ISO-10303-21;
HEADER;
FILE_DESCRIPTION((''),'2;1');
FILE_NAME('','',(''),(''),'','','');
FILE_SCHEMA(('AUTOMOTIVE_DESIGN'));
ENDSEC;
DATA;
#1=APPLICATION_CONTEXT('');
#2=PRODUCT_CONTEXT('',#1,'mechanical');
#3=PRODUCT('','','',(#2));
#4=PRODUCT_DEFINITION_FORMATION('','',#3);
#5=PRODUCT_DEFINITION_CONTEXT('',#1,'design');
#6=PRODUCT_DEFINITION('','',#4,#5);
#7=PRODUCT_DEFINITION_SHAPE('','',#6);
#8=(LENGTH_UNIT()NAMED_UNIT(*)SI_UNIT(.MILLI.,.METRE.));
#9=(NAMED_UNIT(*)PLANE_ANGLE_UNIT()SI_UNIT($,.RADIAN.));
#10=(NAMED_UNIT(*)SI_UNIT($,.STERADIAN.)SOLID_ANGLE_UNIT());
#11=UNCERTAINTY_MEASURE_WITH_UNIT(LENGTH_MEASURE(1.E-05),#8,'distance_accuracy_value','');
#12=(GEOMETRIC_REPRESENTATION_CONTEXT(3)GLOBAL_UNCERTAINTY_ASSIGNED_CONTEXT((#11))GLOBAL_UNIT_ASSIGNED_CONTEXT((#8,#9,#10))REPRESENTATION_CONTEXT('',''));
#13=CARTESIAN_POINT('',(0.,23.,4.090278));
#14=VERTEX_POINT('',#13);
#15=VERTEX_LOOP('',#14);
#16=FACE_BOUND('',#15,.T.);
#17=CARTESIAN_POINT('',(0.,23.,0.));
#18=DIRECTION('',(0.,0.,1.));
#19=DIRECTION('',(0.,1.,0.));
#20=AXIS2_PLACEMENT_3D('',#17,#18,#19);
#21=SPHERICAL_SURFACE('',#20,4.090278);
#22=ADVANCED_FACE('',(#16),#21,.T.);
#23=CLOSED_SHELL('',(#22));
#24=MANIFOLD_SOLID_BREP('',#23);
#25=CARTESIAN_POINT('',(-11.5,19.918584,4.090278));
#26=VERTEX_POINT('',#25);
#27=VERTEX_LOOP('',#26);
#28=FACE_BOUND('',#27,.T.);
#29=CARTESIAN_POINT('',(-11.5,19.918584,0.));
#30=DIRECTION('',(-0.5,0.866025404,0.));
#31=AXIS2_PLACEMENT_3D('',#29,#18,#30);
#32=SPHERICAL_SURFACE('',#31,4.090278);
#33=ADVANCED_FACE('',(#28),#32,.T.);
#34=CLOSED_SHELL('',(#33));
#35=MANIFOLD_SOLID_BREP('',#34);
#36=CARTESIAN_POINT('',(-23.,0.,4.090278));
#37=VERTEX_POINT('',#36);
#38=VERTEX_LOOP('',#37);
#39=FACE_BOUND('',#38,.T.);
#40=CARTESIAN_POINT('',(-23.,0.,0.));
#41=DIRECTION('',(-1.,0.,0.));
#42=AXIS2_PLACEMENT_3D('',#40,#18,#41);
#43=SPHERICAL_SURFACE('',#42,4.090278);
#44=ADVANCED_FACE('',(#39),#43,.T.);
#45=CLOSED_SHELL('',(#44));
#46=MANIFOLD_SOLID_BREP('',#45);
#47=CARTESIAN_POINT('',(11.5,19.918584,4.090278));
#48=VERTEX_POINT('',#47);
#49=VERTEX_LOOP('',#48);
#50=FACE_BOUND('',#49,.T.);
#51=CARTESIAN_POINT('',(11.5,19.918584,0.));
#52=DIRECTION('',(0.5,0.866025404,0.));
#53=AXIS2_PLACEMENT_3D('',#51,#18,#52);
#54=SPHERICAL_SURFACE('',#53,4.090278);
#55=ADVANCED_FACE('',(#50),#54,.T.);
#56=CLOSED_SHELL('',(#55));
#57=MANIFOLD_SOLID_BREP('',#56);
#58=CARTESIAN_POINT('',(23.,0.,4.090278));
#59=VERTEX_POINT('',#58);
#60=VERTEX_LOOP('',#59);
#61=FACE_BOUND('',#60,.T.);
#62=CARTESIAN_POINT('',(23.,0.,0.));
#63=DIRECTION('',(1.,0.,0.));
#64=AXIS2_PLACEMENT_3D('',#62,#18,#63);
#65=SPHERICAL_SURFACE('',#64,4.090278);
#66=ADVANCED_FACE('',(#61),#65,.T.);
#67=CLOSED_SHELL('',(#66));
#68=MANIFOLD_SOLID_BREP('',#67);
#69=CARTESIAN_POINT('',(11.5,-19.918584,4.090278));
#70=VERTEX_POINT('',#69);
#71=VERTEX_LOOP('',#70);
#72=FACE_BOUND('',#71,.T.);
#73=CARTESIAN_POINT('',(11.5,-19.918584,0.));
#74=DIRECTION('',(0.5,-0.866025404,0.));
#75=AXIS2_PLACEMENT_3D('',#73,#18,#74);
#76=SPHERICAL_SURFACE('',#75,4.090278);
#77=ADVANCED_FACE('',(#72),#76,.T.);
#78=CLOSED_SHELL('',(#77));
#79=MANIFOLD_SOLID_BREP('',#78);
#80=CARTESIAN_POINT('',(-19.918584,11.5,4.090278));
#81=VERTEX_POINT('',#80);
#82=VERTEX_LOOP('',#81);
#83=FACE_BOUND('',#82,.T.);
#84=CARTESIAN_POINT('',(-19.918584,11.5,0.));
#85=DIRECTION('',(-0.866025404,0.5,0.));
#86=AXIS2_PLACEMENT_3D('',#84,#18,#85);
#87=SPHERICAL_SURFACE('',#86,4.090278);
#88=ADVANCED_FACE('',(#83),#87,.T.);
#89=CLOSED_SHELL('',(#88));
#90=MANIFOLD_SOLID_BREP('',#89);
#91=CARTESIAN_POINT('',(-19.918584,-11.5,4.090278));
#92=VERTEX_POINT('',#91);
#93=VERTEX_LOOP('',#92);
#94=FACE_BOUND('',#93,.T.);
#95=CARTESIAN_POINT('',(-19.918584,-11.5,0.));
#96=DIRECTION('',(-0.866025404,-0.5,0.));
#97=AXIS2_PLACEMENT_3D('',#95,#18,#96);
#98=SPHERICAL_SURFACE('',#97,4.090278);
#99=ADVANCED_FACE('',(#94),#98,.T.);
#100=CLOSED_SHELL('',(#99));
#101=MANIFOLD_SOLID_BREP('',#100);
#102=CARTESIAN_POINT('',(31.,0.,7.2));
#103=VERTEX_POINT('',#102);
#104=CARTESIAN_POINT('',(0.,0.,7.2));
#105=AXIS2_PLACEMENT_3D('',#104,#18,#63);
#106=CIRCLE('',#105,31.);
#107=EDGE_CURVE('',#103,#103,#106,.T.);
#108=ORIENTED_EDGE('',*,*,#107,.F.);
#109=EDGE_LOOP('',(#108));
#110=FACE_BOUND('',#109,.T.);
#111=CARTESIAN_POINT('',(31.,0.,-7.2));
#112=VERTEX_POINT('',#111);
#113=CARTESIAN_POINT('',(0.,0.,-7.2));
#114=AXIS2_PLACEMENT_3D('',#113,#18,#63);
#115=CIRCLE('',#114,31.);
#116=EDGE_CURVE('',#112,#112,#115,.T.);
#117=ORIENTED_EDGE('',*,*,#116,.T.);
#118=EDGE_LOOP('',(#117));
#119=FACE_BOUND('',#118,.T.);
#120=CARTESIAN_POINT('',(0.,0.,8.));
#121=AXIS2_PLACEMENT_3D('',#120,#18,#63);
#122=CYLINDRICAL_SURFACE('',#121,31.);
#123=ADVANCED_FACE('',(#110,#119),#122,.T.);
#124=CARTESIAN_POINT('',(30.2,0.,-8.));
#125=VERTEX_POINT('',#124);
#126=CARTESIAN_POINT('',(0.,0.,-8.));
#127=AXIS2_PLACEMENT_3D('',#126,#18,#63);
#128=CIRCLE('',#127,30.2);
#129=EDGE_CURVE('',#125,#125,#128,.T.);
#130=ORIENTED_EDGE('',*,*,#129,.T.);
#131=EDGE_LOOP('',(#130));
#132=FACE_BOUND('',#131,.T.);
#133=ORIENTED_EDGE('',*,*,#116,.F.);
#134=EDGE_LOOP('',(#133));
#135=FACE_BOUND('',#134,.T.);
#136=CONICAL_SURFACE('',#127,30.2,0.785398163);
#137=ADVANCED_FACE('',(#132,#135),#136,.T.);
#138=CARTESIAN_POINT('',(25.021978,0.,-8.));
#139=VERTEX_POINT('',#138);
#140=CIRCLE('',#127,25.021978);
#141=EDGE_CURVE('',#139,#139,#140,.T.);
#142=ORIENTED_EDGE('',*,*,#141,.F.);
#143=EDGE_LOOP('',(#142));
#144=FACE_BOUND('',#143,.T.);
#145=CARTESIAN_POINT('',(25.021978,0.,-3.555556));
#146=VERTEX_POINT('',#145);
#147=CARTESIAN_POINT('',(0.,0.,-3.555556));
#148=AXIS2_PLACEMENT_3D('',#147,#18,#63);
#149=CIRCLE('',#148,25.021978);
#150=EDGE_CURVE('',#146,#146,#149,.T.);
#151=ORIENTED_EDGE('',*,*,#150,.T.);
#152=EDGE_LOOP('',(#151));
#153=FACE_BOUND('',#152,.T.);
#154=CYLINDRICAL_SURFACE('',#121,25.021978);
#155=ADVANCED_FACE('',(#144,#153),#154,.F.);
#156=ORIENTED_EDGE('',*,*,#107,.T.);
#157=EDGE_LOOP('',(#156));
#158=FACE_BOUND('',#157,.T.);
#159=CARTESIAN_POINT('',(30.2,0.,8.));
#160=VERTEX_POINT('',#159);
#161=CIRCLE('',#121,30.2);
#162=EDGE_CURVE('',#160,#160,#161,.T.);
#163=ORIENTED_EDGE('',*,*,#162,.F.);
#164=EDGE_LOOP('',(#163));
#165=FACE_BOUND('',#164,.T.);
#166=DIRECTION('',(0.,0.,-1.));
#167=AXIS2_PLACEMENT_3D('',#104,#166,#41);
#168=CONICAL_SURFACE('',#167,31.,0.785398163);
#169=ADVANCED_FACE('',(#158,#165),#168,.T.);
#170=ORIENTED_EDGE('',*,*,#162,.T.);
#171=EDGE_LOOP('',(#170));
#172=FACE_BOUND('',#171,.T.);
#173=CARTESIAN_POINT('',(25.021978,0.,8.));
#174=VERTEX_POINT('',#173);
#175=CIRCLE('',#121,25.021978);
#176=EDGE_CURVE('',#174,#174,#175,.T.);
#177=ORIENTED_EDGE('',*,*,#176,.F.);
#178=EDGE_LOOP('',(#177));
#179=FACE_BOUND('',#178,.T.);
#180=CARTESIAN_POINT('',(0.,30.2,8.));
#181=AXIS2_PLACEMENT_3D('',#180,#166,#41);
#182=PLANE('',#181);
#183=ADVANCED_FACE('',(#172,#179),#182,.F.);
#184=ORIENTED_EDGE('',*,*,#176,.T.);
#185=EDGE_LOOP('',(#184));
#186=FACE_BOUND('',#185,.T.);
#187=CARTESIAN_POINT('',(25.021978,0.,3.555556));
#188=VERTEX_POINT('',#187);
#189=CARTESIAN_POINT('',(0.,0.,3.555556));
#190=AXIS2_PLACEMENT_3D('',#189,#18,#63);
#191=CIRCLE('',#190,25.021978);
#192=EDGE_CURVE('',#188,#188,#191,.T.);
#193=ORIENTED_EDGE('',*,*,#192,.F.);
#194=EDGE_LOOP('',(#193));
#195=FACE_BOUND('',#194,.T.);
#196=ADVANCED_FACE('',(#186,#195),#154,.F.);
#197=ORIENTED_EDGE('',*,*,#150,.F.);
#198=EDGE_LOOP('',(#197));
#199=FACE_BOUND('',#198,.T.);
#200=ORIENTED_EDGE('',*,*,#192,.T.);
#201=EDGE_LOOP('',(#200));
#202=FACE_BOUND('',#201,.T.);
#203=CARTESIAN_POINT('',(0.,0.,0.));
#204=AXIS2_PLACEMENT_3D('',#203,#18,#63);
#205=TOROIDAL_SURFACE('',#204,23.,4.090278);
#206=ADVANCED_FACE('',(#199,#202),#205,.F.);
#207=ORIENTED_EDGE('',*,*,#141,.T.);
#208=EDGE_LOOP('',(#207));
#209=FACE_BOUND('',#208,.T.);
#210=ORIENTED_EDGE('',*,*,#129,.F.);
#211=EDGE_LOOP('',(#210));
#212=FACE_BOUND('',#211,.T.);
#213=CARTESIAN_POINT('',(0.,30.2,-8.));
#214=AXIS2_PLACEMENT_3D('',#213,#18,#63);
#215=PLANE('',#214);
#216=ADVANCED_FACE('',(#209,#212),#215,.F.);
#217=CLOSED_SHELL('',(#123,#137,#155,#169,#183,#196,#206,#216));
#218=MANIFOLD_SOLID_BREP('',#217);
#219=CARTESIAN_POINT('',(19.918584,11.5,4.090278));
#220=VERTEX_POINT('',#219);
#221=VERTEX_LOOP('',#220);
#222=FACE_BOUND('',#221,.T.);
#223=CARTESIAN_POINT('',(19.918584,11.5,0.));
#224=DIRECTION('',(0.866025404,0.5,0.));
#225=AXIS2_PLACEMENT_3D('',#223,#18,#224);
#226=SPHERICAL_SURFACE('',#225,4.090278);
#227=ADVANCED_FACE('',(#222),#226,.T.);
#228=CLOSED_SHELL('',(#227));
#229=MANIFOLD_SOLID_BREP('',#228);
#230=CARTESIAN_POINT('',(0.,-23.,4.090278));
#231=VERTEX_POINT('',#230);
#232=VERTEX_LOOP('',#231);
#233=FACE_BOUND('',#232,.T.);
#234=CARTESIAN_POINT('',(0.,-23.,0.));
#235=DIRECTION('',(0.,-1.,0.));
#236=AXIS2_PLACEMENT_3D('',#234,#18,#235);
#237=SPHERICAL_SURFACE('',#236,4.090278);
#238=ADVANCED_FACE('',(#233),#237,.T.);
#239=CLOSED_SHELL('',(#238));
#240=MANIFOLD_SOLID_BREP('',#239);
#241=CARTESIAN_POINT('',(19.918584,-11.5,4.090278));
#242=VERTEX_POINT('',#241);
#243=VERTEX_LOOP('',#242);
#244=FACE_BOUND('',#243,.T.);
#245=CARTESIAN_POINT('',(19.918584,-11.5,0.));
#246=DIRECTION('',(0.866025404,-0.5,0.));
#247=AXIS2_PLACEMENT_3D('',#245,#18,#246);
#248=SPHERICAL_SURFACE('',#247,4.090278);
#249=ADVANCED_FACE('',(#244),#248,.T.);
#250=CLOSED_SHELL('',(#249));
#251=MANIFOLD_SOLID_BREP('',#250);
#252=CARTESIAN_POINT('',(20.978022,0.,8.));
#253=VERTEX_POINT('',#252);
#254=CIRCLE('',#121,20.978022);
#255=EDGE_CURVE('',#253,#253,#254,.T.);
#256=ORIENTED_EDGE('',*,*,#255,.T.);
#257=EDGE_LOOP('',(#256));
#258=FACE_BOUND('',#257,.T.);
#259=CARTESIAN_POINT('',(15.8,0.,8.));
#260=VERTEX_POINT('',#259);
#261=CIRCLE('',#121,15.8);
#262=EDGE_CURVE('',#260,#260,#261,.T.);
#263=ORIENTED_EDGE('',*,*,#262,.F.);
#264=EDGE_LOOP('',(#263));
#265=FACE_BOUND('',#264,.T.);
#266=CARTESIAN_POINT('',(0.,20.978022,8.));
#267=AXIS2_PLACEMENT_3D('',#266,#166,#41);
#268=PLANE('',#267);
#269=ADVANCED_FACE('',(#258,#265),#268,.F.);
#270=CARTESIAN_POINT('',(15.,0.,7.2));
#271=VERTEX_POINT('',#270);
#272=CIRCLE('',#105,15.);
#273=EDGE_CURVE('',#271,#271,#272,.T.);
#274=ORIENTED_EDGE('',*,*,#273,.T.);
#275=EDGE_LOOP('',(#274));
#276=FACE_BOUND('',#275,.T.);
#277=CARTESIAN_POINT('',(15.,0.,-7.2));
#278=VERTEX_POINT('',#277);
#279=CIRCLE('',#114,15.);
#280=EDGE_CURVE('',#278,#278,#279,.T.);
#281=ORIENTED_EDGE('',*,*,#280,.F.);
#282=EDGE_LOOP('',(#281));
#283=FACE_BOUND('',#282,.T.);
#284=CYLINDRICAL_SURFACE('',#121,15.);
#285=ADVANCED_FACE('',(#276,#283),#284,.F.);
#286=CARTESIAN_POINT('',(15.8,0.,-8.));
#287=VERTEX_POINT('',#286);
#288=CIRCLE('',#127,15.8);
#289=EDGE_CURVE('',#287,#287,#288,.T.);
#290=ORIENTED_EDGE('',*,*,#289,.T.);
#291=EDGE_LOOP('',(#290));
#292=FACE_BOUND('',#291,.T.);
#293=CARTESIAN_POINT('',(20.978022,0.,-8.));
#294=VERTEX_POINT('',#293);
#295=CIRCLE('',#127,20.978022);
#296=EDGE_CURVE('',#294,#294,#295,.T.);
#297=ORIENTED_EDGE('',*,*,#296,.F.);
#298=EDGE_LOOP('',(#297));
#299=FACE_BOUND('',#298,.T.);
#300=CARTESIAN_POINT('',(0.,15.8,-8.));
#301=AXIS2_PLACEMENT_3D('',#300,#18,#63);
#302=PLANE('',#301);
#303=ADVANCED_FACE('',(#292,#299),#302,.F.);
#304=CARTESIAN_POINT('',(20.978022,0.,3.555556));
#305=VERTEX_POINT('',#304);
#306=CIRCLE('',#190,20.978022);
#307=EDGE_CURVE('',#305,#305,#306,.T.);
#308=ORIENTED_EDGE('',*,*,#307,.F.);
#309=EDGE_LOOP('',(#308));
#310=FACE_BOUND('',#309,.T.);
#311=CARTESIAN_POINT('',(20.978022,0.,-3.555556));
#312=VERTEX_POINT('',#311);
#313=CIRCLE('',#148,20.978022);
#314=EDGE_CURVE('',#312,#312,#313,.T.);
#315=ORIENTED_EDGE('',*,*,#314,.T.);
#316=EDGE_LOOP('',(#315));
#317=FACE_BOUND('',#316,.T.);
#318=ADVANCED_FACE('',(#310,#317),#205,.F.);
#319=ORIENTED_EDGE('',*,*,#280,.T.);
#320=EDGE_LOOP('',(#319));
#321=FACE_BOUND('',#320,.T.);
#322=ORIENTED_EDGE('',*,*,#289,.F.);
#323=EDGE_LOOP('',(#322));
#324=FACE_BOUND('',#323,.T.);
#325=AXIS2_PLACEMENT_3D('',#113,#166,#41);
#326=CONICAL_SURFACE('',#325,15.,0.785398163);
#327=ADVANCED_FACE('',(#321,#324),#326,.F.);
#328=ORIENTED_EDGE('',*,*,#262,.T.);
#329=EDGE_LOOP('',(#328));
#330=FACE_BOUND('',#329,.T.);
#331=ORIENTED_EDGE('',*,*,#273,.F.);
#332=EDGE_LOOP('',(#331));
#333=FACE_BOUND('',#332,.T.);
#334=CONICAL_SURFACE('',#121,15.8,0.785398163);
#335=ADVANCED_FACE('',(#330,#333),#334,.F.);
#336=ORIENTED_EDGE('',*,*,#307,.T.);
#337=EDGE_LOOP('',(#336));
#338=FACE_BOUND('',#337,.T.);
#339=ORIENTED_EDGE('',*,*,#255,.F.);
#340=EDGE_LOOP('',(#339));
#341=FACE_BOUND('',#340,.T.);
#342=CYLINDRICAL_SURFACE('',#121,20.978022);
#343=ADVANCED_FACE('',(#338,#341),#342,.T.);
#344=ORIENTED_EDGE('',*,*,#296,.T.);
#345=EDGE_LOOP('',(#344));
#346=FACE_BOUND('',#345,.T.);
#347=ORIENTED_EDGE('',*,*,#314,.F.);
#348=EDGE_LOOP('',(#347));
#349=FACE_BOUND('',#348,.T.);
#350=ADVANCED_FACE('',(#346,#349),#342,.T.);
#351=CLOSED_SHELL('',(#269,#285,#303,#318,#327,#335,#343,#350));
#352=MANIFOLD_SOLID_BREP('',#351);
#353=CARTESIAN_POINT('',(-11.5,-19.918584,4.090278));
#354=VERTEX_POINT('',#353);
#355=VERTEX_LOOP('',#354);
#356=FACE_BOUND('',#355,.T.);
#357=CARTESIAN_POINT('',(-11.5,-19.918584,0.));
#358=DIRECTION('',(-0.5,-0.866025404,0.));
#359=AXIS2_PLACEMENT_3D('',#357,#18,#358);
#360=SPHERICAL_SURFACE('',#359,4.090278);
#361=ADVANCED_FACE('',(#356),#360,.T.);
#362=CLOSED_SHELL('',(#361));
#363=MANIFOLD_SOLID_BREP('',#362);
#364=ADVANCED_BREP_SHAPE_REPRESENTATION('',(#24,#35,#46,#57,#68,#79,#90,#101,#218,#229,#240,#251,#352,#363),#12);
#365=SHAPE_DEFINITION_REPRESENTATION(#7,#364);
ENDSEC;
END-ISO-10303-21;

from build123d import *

# Parameters (mm, degrees)
CIRPATTERN1_COUNT = 12


with BuildPart() as part:
    # Sketch1 → Revolve1 (revolve)
    with BuildSketch(Plane(origin=(0, 0, 0), x_dir=(0, 0, -1), z_dir=(1, 0, 0))):
        with BuildLine():
            Line((7.2, 31), (-7.2, 31))
            Line((-7.2, 31), (-8, 30.2))
            Line((-8, 30.2), (-8, 25.021978022))
            Line((-8, 25.021978022), (-3.555555556, 25.021978022))
            ThreePointArc((-3.555555556, 25.021978022), (0, 27.090277549), (3.555555556, 25.021978022))
            Line((3.555555556, 25.021978022), (8, 25.021978022))
            Line((8, 25.021978022), (8, 30.2))
            Line((8, 30.2), (7.2, 31))
        make_face()
    revolve(axis=Axis((0, 0, 8), (0, 0, -1)))


with BuildPart() as body_2:
    # Sketch3 → Revolve3 (revolve)
    with BuildSketch(Plane(origin=(0, 0, 0), x_dir=(0, 0, -1), z_dir=(1, 0, 0))):
        with BuildLine():
            Line((-8, 20.978021978), (-3.555555556, 20.978021978))
            ThreePointArc((-3.555555556, 20.978021978), (0, 18.909722451), (3.555555556, 20.978021978))
            Line((3.555555556, 20.978021978), (8, 20.978021978))
            Line((8, 20.978021978), (8, 15.8))
            Line((8, 15.8), (7.2, 15))
            Line((7.2, 15), (-7.2, 15))
            Line((-7.2, 15), (-8, 15.8))
            Line((-8, 15.8), (-8, 20.978021978))
        make_face()
    revolve(axis=Axis((0, 0, 8), (0, 0, -1)))


with BuildPart() as body_3:
    # Sketch4 → Revolve4 (revolve)
    with BuildSketch(Plane(origin=(0, 0, 0), x_dir=(0, 0, -1), z_dir=(1, 0, 0))):
        with BuildLine():
            Line((-4.090277549, 23), (4.090277549, 23))
            ThreePointArc((4.090277549, 23), (0, 27.090277549), (-4.090277549, 23))
        make_face()
    revolve(axis=Axis((0, 23, 4.090277549), (0, 0, -1)))


with BuildPart() as cirpattern1_1:
    # CirPattern1: pattern copy
    add(body_3.part.rotate(Axis((0, 0, -8), (0, 0, 1)), 1 * 360 / CIRPATTERN1_COUNT))


with BuildPart() as cirpattern1_2:
    # CirPattern1: pattern copy
    add(body_3.part.rotate(Axis((0, 0, -8), (0, 0, 1)), 2 * 360 / CIRPATTERN1_COUNT))


with BuildPart() as cirpattern1_3:
    # CirPattern1: pattern copy
    add(body_3.part.rotate(Axis((0, 0, -8), (0, 0, 1)), 3 * 360 / CIRPATTERN1_COUNT))


with BuildPart() as cirpattern1_4:
    # CirPattern1: pattern copy
    add(body_3.part.rotate(Axis((0, 0, -8), (0, 0, 1)), 4 * 360 / CIRPATTERN1_COUNT))


with BuildPart() as cirpattern1_5:
    # CirPattern1: pattern copy
    add(body_3.part.rotate(Axis((0, 0, -8), (0, 0, 1)), 5 * 360 / CIRPATTERN1_COUNT))


with BuildPart() as cirpattern1_6:
    # CirPattern1: pattern copy
    add(body_3.part.rotate(Axis((0, 0, -8), (0, 0, 1)), 6 * 360 / CIRPATTERN1_COUNT))


with BuildPart() as cirpattern1_7:
    # CirPattern1: pattern copy
    add(body_3.part.rotate(Axis((0, 0, -8), (0, 0, 1)), 7 * 360 / CIRPATTERN1_COUNT))


with BuildPart() as cirpattern1_8:
    # CirPattern1: pattern copy
    add(body_3.part.rotate(Axis((0, 0, -8), (0, 0, 1)), 8 * 360 / CIRPATTERN1_COUNT))


with BuildPart() as cirpattern1_9:
    # CirPattern1: pattern copy
    add(body_3.part.rotate(Axis((0, 0, -8), (0, 0, 1)), 9 * 360 / CIRPATTERN1_COUNT))


with BuildPart() as cirpattern1_10:
    # CirPattern1: pattern copy
    add(body_3.part.rotate(Axis((0, 0, -8), (0, 0, 1)), 10 * 360 / CIRPATTERN1_COUNT))


with BuildPart() as cirpattern1_11:
    # CirPattern1: pattern copy
    add(body_3.part.rotate(Axis((0, 0, -8), (0, 0, 1)), 11 * 360 / CIRPATTERN1_COUNT))


solid = Compound([part.part, body_2.part, body_3.part, cirpattern1_1.part, cirpattern1_2.part, cirpattern1_3.part, cirpattern1_4.part, cirpattern1_5.part, cirpattern1_6.part, cirpattern1_7.part, cirpattern1_8.part, cirpattern1_9.part, cirpattern1_10.part, cirpattern1_11.part])
